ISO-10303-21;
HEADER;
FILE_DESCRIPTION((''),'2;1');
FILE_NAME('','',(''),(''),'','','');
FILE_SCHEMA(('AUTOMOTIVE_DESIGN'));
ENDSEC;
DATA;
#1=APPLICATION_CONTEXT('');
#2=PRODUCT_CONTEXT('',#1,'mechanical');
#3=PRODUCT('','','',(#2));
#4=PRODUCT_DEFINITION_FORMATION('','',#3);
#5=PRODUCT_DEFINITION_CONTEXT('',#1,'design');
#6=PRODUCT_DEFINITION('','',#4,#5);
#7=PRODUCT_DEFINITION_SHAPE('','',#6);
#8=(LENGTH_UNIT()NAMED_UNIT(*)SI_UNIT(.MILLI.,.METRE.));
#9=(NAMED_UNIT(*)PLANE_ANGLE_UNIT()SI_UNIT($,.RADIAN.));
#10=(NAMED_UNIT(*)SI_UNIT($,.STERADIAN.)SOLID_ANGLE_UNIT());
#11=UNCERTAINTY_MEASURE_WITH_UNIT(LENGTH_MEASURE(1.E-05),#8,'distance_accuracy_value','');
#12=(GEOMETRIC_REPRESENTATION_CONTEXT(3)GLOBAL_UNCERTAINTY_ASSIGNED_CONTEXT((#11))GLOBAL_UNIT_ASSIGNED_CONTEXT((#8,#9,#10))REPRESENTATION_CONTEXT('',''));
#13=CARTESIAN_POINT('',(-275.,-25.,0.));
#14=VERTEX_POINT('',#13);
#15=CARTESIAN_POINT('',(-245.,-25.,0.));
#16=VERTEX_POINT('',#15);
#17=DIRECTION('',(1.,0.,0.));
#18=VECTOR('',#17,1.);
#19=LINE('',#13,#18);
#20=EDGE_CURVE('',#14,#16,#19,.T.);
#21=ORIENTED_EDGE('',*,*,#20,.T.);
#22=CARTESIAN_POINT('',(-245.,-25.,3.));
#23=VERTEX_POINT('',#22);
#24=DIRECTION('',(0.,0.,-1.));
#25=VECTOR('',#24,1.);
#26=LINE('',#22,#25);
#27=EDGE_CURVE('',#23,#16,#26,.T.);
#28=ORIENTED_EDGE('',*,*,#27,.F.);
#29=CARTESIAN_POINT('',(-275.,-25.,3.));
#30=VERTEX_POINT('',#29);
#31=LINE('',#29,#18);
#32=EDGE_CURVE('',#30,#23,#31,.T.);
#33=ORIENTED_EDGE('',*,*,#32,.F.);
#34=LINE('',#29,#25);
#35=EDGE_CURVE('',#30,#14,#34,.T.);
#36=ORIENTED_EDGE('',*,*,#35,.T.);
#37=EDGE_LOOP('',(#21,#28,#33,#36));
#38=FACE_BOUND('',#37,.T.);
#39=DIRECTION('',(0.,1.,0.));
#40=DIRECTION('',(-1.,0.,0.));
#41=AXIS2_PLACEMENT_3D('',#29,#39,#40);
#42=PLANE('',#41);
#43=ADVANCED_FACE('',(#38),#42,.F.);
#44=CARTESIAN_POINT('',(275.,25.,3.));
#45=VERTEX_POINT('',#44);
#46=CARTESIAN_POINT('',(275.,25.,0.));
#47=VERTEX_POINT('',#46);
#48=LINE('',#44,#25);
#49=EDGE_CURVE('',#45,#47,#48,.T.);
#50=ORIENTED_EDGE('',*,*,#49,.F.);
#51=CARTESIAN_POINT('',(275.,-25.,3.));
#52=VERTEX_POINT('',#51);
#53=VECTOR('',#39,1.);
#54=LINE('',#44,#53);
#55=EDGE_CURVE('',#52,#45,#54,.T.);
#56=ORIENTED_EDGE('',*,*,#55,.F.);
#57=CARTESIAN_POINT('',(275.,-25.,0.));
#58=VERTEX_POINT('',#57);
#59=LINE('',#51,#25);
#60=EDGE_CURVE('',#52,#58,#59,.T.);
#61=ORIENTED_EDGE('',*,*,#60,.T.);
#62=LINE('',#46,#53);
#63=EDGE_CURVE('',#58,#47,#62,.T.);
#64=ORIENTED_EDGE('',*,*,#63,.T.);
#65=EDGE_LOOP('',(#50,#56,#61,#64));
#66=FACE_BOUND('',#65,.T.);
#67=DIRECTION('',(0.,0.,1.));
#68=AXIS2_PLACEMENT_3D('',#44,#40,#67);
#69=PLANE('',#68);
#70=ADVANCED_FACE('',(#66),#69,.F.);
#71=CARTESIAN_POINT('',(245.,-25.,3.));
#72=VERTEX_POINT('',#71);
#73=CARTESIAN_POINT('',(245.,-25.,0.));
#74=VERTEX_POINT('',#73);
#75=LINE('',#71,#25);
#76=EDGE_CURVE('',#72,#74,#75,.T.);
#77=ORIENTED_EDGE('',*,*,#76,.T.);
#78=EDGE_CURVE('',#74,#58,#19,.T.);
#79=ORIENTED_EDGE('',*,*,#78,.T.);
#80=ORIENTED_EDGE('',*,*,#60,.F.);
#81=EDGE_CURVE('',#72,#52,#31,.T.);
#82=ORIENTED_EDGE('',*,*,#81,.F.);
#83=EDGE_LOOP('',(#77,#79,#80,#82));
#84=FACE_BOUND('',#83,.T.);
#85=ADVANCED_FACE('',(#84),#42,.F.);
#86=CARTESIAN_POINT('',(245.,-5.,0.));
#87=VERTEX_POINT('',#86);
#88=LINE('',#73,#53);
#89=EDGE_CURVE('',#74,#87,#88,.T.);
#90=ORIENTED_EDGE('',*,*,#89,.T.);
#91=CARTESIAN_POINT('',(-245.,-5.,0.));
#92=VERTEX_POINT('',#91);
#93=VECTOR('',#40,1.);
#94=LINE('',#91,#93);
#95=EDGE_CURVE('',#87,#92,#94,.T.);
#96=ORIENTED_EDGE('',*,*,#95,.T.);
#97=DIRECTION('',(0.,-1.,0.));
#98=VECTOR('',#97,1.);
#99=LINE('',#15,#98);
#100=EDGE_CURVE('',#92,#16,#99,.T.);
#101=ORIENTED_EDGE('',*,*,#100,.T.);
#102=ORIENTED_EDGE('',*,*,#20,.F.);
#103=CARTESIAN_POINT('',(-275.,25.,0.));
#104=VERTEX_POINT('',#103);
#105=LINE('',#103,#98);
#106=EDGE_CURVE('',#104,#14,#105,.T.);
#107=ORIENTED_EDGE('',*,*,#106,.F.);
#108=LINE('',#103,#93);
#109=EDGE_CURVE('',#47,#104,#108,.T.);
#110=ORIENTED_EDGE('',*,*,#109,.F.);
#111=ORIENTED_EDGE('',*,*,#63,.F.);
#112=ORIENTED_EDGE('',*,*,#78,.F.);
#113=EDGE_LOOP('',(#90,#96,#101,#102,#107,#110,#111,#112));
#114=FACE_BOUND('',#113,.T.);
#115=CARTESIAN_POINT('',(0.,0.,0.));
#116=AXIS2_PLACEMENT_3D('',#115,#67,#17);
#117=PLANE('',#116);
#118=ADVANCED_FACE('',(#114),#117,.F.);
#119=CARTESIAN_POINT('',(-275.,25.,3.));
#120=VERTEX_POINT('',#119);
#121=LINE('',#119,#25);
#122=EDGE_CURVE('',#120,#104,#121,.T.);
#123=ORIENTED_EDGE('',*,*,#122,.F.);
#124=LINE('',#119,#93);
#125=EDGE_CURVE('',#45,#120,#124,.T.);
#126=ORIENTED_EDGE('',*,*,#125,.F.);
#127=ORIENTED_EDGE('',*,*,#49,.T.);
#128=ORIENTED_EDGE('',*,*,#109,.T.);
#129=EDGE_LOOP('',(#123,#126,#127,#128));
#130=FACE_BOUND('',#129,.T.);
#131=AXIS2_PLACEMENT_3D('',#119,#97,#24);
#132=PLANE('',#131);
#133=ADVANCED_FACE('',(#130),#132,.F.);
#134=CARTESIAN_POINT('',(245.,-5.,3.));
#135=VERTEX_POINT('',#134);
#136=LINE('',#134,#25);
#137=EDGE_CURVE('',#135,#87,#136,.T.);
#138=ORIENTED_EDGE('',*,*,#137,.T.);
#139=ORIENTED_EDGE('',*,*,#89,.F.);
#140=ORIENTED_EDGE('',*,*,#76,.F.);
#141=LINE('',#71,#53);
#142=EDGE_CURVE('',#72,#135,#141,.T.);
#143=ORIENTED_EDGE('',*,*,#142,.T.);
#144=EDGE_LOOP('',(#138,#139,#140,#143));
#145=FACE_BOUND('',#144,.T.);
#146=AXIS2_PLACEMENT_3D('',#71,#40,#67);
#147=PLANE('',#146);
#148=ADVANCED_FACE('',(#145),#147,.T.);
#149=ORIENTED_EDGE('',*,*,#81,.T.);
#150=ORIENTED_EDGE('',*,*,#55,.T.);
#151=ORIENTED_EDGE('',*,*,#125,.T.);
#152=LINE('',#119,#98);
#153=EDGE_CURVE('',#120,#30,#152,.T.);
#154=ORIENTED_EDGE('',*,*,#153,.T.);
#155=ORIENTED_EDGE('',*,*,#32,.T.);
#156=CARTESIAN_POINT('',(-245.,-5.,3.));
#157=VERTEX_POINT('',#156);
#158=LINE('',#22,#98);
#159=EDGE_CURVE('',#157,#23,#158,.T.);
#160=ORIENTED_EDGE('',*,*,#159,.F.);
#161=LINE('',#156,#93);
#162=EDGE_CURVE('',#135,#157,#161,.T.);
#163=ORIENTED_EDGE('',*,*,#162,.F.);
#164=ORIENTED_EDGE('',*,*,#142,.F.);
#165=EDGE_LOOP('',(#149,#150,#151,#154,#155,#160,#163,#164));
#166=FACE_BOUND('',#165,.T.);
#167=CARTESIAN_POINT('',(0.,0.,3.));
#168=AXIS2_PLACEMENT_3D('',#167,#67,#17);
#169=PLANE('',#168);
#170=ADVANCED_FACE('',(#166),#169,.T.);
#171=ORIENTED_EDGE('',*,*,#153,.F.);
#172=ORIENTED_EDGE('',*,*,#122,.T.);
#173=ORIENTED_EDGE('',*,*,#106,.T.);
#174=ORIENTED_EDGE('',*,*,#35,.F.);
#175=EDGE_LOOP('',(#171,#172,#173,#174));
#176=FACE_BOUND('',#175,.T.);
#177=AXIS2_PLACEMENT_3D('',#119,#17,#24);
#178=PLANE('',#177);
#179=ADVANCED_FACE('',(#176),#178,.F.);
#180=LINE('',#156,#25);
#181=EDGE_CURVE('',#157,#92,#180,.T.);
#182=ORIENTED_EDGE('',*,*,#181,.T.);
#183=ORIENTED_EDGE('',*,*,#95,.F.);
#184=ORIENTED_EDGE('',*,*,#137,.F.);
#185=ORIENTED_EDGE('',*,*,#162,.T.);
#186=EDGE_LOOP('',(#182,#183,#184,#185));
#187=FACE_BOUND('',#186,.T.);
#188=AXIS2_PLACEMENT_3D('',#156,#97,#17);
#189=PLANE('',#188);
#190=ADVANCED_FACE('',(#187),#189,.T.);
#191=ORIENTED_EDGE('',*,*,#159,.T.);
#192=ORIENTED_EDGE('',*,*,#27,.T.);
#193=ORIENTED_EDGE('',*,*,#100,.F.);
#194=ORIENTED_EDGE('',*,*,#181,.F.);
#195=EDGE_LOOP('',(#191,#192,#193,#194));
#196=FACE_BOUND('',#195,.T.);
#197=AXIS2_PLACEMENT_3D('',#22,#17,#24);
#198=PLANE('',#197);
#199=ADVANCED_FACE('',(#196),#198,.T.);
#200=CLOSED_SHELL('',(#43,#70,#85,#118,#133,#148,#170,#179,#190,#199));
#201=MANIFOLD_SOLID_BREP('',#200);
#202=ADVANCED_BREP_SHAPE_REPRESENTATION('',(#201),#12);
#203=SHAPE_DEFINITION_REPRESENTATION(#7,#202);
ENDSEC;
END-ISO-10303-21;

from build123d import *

# Parameters (mm, degrees)
SKETCH_1_W          = 550
SKETCH_1_H          = 50
EXTRUDE_1_DEPTH     = 3
SKETCH_2_W          = 490
SKETCH_2_H          = 20
CUT_EXTRUDE_2_DEPTH = 3


with BuildPart() as part:
    # 草图1 → 凸台-拉伸1 (new body)
    with BuildSketch(Plane.XY):
        Rectangle(SKETCH_1_W, SKETCH_1_H)
    extrude(amount=EXTRUDE_1_DEPTH)

    # 草图2 → 切除-拉伸2 (cut)
    with BuildSketch(Plane.XY):
        with Locations((0, -15)):
            Rectangle(SKETCH_2_W, SKETCH_2_H)
    extrude(amount=CUT_EXTRUDE_2_DEPTH, mode=Mode.SUBTRACT)


solid = part.part
